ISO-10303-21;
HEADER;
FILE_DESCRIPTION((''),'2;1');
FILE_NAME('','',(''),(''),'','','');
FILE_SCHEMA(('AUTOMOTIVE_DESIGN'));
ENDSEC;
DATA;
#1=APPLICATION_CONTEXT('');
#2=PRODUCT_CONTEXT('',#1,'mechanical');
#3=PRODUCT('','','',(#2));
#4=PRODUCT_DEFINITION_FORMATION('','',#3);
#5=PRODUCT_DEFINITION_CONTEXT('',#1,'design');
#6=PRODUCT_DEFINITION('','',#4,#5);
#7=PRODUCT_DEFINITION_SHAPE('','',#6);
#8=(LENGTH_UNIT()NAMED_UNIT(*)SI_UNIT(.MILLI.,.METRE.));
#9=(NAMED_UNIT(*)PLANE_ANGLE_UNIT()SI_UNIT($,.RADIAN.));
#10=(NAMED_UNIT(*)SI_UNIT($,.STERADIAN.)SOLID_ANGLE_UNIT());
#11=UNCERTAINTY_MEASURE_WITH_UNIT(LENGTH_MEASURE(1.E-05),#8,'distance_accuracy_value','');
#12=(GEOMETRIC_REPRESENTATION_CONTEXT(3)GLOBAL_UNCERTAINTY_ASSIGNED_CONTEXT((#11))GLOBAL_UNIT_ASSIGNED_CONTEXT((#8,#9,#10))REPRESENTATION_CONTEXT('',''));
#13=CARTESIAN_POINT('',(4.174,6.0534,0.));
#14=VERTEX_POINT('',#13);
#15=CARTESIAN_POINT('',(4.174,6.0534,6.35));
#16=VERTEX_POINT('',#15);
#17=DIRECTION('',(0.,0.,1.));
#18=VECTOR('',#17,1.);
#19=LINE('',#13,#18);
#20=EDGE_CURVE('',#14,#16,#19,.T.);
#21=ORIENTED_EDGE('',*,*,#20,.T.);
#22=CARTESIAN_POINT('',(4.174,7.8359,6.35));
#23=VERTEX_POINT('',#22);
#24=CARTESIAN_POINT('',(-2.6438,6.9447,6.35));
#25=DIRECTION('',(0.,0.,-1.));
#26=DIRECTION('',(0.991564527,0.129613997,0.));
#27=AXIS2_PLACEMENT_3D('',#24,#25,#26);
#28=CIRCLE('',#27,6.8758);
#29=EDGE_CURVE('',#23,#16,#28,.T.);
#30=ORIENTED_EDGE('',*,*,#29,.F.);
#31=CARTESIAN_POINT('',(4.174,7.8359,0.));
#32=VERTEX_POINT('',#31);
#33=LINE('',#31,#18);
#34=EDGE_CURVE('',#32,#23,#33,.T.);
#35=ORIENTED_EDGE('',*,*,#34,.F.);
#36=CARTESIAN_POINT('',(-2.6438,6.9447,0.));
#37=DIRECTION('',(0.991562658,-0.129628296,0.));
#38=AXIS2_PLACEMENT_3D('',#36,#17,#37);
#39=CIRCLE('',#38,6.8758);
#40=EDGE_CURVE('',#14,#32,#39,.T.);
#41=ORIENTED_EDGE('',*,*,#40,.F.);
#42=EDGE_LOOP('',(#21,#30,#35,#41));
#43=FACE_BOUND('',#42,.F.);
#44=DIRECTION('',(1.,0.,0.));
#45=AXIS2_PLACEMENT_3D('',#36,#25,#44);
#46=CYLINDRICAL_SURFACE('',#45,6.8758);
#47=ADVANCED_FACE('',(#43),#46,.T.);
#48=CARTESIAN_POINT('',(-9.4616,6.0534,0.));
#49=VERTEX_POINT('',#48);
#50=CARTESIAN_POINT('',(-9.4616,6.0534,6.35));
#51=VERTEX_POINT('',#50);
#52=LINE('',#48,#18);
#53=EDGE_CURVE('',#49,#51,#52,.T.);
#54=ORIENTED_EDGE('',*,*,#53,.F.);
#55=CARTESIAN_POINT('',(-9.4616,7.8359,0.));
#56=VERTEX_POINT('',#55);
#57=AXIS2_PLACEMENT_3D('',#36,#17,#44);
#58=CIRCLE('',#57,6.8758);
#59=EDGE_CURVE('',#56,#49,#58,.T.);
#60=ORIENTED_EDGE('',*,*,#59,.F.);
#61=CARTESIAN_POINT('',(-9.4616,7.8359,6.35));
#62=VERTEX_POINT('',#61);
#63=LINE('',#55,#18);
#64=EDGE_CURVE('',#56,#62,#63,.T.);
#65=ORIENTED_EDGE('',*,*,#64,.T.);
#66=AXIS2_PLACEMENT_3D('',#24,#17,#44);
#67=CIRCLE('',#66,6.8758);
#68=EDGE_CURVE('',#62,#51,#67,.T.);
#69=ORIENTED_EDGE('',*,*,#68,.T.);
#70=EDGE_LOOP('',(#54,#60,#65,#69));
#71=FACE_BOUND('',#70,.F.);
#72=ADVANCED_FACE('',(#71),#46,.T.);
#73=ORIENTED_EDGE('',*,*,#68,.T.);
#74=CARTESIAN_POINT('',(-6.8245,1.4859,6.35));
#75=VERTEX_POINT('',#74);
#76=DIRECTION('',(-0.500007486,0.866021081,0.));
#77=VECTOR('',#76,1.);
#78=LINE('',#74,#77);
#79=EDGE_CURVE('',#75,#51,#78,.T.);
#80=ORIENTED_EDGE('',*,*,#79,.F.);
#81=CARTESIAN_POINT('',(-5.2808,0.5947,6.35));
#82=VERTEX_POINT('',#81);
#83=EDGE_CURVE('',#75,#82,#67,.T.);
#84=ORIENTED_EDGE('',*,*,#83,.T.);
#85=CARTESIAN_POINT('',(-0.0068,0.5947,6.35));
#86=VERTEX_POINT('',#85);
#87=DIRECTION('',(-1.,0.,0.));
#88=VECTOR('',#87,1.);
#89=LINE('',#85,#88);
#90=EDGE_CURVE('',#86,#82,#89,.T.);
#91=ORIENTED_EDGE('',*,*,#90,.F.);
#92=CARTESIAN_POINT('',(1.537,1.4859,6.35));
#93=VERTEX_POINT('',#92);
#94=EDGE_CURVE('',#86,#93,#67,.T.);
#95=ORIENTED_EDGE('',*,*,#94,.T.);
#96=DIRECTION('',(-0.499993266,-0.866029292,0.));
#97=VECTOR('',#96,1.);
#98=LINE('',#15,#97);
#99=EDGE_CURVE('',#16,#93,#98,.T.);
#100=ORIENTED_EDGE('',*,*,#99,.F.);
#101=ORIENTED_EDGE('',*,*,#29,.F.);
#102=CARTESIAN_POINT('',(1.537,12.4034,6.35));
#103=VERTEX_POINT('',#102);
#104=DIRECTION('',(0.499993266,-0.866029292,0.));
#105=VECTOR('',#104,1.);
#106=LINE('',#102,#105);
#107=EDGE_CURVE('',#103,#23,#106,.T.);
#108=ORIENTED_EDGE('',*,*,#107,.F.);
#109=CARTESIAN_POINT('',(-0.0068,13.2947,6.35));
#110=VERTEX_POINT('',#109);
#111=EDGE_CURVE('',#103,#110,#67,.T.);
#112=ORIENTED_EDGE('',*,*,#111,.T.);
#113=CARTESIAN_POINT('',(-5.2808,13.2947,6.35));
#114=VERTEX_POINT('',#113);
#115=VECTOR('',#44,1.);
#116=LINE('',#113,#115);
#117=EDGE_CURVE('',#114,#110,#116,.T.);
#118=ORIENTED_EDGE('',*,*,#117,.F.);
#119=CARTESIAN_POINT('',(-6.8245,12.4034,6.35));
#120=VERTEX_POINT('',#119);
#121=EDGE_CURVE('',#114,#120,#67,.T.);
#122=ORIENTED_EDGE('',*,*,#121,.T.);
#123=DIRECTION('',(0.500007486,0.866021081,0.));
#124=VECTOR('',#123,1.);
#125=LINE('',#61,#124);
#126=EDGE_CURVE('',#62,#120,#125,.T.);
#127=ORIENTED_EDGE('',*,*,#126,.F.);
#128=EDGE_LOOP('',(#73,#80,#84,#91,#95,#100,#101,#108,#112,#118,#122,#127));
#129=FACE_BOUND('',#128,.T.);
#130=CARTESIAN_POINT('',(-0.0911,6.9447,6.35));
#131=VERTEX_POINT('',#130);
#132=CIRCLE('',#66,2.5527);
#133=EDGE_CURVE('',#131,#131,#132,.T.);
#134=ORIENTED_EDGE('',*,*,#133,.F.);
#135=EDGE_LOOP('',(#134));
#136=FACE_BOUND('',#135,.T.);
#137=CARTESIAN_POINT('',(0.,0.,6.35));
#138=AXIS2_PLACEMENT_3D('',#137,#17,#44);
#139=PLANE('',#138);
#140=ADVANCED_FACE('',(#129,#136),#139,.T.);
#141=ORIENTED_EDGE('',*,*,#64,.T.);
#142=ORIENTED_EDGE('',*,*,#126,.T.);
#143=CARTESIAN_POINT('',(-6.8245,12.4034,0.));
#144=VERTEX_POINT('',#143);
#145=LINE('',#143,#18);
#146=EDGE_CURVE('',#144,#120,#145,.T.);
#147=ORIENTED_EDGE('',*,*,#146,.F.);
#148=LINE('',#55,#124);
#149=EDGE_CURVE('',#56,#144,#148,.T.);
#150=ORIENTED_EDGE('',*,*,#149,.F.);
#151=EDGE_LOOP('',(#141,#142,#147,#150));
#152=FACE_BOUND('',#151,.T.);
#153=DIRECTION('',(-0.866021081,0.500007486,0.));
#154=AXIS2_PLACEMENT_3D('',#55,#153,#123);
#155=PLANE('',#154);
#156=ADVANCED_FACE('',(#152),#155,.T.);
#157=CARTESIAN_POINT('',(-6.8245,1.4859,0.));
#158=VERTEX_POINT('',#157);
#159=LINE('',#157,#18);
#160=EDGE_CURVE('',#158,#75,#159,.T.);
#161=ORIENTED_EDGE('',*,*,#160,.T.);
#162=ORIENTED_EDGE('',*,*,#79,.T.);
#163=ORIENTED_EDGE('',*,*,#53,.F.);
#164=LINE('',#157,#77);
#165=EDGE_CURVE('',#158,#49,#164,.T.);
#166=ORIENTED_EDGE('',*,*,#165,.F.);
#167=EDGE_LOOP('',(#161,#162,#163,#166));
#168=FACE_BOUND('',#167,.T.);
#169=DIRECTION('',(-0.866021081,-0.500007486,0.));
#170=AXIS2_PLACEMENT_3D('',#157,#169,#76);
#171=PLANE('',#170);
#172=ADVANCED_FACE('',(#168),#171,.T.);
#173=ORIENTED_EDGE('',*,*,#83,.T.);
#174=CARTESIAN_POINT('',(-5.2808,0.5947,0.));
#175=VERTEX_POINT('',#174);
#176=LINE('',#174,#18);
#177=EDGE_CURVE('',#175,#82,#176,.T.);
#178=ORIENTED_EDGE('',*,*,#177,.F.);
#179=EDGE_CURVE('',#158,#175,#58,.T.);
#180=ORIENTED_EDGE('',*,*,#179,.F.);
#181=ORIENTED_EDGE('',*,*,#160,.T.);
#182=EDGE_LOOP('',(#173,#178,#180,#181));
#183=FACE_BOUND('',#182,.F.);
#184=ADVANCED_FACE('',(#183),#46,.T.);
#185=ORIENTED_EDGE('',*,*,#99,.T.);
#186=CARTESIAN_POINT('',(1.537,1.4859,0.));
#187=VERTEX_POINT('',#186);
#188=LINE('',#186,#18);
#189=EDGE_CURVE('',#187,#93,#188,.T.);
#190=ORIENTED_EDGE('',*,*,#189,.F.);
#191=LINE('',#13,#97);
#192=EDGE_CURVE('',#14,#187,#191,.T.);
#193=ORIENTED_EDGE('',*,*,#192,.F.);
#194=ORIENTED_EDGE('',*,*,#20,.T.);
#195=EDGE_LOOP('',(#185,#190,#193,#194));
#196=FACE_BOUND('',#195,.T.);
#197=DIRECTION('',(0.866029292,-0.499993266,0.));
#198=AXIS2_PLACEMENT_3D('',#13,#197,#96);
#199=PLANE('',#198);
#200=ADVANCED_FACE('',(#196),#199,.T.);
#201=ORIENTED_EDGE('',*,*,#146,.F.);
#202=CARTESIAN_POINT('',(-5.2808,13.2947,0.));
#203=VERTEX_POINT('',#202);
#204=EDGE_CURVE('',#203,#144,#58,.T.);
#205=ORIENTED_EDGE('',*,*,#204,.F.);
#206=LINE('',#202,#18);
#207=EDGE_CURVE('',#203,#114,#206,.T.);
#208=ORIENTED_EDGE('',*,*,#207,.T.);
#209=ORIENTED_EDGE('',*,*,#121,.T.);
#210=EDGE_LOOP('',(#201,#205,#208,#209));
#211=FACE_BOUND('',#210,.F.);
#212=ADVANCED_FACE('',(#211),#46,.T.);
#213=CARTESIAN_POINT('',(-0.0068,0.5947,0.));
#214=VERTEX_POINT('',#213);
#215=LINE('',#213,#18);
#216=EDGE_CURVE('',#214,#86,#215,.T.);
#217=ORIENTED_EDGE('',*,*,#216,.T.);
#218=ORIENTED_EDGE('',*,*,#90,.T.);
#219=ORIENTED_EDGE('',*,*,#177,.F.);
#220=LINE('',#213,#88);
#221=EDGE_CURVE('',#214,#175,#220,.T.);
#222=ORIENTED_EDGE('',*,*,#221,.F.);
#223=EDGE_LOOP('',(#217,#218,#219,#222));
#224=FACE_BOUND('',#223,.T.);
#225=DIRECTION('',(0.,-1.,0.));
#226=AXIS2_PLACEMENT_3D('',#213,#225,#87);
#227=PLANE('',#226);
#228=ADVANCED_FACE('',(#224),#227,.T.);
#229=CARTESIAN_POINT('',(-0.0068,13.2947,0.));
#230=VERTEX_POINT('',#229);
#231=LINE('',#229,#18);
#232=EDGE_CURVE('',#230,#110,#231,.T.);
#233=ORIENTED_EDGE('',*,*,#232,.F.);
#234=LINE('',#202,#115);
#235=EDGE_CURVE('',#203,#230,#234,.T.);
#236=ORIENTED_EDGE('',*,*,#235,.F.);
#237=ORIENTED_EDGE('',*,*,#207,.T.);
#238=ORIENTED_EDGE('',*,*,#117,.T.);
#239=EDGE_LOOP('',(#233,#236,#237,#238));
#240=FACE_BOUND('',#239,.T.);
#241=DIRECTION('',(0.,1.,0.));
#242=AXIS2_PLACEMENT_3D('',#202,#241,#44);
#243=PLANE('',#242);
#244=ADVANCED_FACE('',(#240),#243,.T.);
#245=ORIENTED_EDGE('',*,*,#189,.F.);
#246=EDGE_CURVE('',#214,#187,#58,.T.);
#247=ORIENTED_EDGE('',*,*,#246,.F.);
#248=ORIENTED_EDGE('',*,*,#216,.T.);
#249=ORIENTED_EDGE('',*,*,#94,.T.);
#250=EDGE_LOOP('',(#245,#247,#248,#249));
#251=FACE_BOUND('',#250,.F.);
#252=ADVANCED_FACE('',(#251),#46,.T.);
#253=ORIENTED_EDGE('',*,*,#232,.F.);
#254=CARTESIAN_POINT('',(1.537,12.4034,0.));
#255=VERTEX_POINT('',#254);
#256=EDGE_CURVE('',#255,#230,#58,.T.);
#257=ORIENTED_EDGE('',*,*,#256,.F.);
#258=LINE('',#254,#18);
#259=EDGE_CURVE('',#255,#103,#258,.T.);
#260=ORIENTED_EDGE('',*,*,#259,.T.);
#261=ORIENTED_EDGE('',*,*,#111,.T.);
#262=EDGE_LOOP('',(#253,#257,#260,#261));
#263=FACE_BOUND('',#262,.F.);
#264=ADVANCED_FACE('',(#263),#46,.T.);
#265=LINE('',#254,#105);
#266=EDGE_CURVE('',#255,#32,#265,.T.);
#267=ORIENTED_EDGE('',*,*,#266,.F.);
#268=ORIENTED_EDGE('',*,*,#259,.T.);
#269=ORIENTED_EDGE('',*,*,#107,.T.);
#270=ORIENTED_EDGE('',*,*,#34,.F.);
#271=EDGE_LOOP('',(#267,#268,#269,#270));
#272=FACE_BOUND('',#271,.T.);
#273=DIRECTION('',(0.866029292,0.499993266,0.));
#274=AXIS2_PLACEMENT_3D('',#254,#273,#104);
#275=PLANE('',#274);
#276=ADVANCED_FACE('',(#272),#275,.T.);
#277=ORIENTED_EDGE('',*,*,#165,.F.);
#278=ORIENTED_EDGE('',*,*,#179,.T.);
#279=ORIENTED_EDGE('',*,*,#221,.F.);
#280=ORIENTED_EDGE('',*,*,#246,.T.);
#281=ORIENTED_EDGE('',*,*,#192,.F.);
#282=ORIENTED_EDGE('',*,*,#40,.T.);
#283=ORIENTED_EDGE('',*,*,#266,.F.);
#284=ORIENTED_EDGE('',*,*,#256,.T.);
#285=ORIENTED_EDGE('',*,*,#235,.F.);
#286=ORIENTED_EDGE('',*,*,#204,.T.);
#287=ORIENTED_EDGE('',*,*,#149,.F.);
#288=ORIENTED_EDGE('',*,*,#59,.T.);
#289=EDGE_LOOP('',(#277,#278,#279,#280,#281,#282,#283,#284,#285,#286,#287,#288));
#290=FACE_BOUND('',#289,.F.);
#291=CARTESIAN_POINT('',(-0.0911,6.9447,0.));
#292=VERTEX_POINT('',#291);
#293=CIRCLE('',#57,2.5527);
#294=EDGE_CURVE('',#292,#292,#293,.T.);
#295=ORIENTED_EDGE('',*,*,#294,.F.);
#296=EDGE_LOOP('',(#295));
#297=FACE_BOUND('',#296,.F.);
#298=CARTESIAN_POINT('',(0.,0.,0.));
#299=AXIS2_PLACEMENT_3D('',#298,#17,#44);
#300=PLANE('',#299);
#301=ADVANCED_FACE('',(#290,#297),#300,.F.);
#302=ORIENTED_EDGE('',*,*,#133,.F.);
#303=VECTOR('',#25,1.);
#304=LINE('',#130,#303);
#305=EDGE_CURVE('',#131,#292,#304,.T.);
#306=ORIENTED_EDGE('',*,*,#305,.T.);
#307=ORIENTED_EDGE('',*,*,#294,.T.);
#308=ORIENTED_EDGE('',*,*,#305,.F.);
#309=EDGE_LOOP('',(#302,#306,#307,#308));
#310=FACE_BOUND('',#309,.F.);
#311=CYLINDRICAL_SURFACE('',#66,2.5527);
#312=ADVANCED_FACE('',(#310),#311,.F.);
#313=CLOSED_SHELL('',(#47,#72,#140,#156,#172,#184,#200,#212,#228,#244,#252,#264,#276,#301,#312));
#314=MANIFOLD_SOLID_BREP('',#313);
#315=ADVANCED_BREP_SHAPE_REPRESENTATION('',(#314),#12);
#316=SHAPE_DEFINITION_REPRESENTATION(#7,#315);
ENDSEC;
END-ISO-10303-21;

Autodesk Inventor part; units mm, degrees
ref_plane "YZ Plane" through (0, 0, 0) normal (1, 0, 0) x (0, 1, 0)
ref_plane "XZ Plane" through (0, 0, 0) normal (0, 1, 0) x (-1, 0, 0)
ref_plane "XY Plane" through (0, 0, 0) normal (0, 0, 1) x (1, 0, 0)
sketch "Sketch1" plane through (0, 0, 0) normal (0, 0, 1) x (1, 0, 0)
  circle A0 centre (-2.6438, 6.9447) radius 6.8758
  line L0 (-9.4616, 7.8359) -> (-6.8245, 12.4034)
  line L1 (-6.8245, 1.4859) -> (-9.4616, 6.0534)
  line L2 (-0.0068, 0.5947) -> (-5.2808, 0.5947)
  line L3 (4.174, 6.0534) -> (1.537, 1.4859)
  line L4 (1.537, 12.4034) -> (4.174, 7.8359)
  line L5 (-5.2808, 13.2947) -> (-0.0068, 13.2947)
  point P0 (0, 0)
  point P1 (1.537, 1.4859)
  dimension "d0" = 13.7516
  dimension "d4" = 360
extrude "Extrusion1" add sketch "Sketch1" along normal blind 6.35 contours A0 L3 L2 L1 L0 L5 L4
sketch "Sketch2" plane through (0, 0, 6.35) normal (0, 0, 1) x (1, 0, 0)
  circle A0 centre (-2.6438, 6.9447) radius 2.5527
  line L0 (-5.2808, 0.5947) -> (-0.0068, 0.5947) projected
  line L1 (-2.6438, 6.9447) -> (-5.2808, 0.5947) construction
  line L2 (-2.6438, 6.9447) -> (-0.0068, 0.5947) construction
  point P0 (0, 0)
  dimension "d8" = 5.1054
  dimension "d9" = 6.35
extrude "Extrusion2" cut sketch "Sketch2" against normal blind 6.35
equation "\"d6\" = d5"
equation "\"d10\" = d5"
equation "\"d5\" = 6.35"
properties part number "TurretRailShaft" material "Aluminum 6061"
